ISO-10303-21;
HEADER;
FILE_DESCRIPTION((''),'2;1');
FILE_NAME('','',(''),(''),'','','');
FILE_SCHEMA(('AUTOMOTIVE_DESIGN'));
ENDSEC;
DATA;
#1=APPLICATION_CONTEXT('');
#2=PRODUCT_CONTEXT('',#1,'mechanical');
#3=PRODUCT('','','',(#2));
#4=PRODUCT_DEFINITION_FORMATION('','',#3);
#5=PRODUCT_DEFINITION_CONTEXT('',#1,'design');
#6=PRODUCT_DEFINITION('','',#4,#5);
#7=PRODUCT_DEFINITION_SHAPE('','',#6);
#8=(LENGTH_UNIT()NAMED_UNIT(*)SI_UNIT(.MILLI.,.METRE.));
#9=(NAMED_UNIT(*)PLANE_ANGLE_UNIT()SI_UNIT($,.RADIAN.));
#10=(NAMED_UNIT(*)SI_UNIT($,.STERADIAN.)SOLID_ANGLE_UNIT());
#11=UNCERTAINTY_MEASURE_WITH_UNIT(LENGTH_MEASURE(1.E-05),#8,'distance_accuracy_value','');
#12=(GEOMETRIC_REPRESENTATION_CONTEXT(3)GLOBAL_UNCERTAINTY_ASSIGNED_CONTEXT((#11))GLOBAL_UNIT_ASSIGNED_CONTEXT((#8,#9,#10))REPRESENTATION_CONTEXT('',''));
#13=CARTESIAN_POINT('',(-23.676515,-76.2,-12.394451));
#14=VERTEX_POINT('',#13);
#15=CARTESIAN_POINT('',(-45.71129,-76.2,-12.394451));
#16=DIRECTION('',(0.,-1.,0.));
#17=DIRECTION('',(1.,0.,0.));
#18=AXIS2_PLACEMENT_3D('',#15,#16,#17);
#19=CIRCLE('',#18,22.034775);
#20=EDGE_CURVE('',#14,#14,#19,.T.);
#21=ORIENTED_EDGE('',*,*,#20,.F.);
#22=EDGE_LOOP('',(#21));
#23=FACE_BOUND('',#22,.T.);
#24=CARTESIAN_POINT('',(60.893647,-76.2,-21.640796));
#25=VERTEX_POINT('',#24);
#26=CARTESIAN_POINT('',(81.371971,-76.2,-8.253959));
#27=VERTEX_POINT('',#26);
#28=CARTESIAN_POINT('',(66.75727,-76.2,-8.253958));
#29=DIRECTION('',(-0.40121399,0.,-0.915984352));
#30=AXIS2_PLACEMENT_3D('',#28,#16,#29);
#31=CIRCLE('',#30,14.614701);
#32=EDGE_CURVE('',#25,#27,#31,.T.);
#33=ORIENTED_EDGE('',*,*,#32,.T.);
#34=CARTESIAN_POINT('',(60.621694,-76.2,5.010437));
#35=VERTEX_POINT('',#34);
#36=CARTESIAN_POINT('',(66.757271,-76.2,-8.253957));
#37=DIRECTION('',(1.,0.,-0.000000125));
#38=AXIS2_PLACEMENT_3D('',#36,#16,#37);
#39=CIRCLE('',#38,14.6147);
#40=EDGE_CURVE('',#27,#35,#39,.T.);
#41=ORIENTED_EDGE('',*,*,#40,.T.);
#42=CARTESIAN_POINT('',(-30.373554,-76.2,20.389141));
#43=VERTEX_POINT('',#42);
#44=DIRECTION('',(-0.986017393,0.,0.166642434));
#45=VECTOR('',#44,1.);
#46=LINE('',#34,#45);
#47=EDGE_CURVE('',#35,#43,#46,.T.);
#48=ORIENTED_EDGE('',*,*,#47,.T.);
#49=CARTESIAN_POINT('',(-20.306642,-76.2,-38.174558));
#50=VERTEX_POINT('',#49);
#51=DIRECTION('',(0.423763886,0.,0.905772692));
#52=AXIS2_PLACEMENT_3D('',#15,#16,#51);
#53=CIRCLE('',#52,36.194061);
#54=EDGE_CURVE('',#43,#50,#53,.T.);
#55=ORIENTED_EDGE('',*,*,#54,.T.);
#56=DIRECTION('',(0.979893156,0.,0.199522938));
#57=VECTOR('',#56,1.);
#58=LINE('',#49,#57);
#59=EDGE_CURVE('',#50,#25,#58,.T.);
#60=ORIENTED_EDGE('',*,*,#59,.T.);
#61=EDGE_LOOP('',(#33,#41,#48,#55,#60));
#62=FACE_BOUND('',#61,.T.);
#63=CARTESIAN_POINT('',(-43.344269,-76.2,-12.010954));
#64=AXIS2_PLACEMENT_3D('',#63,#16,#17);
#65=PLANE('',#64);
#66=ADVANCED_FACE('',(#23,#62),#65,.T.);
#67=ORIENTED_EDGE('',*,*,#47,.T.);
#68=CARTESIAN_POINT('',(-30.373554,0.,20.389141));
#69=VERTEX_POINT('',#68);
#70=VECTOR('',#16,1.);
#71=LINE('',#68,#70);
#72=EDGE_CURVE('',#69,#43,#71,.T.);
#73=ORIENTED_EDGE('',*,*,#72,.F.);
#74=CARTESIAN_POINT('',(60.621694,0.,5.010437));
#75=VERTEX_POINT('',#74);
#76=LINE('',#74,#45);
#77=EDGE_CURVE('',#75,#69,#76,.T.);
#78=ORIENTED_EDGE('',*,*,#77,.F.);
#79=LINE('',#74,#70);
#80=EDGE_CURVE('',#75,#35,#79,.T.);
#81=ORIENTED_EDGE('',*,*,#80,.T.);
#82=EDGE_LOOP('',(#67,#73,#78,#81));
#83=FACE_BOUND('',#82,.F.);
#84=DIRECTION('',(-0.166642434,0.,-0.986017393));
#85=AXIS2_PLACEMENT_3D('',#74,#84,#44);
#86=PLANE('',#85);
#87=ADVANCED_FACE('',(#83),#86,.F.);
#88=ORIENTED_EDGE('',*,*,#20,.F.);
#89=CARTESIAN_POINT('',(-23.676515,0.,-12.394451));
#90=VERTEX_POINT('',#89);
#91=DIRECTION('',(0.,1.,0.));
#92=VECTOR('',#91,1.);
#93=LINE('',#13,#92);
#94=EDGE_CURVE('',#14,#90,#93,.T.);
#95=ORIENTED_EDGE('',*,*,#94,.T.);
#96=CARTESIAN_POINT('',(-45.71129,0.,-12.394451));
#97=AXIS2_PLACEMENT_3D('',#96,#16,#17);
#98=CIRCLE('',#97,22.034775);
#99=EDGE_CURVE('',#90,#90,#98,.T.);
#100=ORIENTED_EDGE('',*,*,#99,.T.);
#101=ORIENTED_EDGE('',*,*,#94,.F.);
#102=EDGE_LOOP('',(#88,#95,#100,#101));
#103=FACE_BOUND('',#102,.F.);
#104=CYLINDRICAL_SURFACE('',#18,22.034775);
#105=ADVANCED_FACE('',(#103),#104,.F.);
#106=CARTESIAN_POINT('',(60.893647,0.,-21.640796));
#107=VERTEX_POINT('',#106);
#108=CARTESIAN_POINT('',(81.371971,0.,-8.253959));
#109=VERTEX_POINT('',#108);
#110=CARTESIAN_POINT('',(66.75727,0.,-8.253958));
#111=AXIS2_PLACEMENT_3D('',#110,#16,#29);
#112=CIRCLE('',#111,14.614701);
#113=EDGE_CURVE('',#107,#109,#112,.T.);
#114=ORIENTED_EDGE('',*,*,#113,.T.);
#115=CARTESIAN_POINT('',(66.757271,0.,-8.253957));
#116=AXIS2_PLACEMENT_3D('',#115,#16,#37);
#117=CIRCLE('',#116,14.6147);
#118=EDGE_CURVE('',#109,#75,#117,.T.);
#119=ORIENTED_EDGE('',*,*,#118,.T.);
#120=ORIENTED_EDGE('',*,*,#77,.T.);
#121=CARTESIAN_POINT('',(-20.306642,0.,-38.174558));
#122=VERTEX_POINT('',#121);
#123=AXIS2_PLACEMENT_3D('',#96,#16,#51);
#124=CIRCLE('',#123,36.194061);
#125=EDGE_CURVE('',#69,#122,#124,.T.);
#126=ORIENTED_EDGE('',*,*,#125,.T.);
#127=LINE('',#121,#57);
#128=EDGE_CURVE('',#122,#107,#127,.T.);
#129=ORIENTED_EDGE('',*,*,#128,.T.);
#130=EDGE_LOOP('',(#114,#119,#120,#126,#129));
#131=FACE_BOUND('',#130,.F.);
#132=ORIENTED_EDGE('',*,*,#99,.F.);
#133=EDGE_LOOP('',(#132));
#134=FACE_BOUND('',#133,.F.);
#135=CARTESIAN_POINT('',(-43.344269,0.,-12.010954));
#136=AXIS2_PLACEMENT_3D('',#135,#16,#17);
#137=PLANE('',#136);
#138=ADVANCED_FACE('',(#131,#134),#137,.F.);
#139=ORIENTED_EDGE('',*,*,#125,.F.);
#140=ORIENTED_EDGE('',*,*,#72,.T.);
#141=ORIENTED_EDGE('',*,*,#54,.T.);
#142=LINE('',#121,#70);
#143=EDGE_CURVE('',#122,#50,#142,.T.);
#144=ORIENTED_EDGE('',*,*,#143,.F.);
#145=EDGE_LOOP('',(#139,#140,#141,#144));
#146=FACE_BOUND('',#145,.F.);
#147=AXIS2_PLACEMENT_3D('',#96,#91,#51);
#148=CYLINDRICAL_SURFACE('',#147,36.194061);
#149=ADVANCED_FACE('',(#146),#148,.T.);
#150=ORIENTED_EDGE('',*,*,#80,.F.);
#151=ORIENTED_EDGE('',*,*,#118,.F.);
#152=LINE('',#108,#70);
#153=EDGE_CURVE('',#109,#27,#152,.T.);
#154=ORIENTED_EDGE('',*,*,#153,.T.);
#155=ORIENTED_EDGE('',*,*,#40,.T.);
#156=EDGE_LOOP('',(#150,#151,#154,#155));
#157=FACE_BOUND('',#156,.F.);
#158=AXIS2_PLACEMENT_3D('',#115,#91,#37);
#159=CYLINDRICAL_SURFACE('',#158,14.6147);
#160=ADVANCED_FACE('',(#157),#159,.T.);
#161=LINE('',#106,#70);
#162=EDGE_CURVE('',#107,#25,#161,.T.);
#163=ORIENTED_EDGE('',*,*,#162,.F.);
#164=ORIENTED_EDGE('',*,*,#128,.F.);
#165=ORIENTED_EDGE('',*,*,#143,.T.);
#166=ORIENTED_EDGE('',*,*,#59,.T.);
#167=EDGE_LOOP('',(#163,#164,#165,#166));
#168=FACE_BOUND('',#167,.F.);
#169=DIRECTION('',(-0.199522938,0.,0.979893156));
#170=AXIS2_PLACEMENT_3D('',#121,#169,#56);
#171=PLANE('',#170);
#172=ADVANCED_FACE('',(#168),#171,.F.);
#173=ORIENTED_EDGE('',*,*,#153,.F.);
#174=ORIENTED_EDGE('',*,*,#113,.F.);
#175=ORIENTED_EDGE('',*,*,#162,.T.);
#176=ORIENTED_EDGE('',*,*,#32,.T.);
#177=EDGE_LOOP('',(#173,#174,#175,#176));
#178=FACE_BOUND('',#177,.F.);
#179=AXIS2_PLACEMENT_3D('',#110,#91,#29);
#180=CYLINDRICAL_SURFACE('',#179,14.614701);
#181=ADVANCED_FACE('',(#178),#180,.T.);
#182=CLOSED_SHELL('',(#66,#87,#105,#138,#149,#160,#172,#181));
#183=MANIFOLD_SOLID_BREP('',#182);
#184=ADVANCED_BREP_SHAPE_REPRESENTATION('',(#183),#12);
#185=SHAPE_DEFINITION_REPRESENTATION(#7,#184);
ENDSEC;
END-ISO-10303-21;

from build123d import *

# Parameters (mm, degrees)
F1_DEPTH = 76.2
F2_R     = 22.034775
F3_DEPTH = 254


with BuildPart() as f1:
    # F0 (on Front) → F1 (new body)
    with BuildSketch(Plane.XZ):
        with BuildLine():
            ThreePointArc((-20.306642, -38.174558), (-12.323362, -26.367866), (-9.517229, -12.394451))
            ThreePointArc((-9.517229, -12.394451), (-15.17324, 7.033301), (-30.373554, 20.389141))
            ThreePointArc((-30.373554, 20.389141), (-81.382177, -18.526161), (-20.306642, -38.174558))
        make_face()
        with BuildLine():
            ThreePointArc((-30.373554, 20.389141), (-15.17324, 7.033301), (-9.517229, -12.394451))
            ThreePointArc((-9.517229, -12.394451), (-12.323362, -26.367866), (-20.306642, -38.174558))
            Line((-20.306642, -38.174558), (60.893647, -21.640796))
            ThreePointArc((60.893647, -21.640796), (52.14333, -8.403082), (60.621694, 5.010437))
            Line((60.621694, 5.010437), (-30.373554, 20.389141))
        make_face()
        with BuildLine():
            ThreePointArc((81.371971, -8.253959), (74.628734, 4.059837), (60.621694, 5.010437))
            ThreePointArc((60.621694, 5.010437), (52.14333, -8.403082), (60.893647, -21.640796))
            ThreePointArc((60.893647, -21.640796), (74.753969, -20.486795), (81.371971, -8.253959))
        make_face()
    extrude(amount=F1_DEPTH)

    # F2 (on face) → F3 (cut)
    with BuildSketch(Plane.XZ.offset(76.2)):
        with Locations((-45.71129, -12.394451)):
            Circle(F2_R)
    extrude(amount=-F3_DEPTH, mode=Mode.SUBTRACT)


solid = f1.part
